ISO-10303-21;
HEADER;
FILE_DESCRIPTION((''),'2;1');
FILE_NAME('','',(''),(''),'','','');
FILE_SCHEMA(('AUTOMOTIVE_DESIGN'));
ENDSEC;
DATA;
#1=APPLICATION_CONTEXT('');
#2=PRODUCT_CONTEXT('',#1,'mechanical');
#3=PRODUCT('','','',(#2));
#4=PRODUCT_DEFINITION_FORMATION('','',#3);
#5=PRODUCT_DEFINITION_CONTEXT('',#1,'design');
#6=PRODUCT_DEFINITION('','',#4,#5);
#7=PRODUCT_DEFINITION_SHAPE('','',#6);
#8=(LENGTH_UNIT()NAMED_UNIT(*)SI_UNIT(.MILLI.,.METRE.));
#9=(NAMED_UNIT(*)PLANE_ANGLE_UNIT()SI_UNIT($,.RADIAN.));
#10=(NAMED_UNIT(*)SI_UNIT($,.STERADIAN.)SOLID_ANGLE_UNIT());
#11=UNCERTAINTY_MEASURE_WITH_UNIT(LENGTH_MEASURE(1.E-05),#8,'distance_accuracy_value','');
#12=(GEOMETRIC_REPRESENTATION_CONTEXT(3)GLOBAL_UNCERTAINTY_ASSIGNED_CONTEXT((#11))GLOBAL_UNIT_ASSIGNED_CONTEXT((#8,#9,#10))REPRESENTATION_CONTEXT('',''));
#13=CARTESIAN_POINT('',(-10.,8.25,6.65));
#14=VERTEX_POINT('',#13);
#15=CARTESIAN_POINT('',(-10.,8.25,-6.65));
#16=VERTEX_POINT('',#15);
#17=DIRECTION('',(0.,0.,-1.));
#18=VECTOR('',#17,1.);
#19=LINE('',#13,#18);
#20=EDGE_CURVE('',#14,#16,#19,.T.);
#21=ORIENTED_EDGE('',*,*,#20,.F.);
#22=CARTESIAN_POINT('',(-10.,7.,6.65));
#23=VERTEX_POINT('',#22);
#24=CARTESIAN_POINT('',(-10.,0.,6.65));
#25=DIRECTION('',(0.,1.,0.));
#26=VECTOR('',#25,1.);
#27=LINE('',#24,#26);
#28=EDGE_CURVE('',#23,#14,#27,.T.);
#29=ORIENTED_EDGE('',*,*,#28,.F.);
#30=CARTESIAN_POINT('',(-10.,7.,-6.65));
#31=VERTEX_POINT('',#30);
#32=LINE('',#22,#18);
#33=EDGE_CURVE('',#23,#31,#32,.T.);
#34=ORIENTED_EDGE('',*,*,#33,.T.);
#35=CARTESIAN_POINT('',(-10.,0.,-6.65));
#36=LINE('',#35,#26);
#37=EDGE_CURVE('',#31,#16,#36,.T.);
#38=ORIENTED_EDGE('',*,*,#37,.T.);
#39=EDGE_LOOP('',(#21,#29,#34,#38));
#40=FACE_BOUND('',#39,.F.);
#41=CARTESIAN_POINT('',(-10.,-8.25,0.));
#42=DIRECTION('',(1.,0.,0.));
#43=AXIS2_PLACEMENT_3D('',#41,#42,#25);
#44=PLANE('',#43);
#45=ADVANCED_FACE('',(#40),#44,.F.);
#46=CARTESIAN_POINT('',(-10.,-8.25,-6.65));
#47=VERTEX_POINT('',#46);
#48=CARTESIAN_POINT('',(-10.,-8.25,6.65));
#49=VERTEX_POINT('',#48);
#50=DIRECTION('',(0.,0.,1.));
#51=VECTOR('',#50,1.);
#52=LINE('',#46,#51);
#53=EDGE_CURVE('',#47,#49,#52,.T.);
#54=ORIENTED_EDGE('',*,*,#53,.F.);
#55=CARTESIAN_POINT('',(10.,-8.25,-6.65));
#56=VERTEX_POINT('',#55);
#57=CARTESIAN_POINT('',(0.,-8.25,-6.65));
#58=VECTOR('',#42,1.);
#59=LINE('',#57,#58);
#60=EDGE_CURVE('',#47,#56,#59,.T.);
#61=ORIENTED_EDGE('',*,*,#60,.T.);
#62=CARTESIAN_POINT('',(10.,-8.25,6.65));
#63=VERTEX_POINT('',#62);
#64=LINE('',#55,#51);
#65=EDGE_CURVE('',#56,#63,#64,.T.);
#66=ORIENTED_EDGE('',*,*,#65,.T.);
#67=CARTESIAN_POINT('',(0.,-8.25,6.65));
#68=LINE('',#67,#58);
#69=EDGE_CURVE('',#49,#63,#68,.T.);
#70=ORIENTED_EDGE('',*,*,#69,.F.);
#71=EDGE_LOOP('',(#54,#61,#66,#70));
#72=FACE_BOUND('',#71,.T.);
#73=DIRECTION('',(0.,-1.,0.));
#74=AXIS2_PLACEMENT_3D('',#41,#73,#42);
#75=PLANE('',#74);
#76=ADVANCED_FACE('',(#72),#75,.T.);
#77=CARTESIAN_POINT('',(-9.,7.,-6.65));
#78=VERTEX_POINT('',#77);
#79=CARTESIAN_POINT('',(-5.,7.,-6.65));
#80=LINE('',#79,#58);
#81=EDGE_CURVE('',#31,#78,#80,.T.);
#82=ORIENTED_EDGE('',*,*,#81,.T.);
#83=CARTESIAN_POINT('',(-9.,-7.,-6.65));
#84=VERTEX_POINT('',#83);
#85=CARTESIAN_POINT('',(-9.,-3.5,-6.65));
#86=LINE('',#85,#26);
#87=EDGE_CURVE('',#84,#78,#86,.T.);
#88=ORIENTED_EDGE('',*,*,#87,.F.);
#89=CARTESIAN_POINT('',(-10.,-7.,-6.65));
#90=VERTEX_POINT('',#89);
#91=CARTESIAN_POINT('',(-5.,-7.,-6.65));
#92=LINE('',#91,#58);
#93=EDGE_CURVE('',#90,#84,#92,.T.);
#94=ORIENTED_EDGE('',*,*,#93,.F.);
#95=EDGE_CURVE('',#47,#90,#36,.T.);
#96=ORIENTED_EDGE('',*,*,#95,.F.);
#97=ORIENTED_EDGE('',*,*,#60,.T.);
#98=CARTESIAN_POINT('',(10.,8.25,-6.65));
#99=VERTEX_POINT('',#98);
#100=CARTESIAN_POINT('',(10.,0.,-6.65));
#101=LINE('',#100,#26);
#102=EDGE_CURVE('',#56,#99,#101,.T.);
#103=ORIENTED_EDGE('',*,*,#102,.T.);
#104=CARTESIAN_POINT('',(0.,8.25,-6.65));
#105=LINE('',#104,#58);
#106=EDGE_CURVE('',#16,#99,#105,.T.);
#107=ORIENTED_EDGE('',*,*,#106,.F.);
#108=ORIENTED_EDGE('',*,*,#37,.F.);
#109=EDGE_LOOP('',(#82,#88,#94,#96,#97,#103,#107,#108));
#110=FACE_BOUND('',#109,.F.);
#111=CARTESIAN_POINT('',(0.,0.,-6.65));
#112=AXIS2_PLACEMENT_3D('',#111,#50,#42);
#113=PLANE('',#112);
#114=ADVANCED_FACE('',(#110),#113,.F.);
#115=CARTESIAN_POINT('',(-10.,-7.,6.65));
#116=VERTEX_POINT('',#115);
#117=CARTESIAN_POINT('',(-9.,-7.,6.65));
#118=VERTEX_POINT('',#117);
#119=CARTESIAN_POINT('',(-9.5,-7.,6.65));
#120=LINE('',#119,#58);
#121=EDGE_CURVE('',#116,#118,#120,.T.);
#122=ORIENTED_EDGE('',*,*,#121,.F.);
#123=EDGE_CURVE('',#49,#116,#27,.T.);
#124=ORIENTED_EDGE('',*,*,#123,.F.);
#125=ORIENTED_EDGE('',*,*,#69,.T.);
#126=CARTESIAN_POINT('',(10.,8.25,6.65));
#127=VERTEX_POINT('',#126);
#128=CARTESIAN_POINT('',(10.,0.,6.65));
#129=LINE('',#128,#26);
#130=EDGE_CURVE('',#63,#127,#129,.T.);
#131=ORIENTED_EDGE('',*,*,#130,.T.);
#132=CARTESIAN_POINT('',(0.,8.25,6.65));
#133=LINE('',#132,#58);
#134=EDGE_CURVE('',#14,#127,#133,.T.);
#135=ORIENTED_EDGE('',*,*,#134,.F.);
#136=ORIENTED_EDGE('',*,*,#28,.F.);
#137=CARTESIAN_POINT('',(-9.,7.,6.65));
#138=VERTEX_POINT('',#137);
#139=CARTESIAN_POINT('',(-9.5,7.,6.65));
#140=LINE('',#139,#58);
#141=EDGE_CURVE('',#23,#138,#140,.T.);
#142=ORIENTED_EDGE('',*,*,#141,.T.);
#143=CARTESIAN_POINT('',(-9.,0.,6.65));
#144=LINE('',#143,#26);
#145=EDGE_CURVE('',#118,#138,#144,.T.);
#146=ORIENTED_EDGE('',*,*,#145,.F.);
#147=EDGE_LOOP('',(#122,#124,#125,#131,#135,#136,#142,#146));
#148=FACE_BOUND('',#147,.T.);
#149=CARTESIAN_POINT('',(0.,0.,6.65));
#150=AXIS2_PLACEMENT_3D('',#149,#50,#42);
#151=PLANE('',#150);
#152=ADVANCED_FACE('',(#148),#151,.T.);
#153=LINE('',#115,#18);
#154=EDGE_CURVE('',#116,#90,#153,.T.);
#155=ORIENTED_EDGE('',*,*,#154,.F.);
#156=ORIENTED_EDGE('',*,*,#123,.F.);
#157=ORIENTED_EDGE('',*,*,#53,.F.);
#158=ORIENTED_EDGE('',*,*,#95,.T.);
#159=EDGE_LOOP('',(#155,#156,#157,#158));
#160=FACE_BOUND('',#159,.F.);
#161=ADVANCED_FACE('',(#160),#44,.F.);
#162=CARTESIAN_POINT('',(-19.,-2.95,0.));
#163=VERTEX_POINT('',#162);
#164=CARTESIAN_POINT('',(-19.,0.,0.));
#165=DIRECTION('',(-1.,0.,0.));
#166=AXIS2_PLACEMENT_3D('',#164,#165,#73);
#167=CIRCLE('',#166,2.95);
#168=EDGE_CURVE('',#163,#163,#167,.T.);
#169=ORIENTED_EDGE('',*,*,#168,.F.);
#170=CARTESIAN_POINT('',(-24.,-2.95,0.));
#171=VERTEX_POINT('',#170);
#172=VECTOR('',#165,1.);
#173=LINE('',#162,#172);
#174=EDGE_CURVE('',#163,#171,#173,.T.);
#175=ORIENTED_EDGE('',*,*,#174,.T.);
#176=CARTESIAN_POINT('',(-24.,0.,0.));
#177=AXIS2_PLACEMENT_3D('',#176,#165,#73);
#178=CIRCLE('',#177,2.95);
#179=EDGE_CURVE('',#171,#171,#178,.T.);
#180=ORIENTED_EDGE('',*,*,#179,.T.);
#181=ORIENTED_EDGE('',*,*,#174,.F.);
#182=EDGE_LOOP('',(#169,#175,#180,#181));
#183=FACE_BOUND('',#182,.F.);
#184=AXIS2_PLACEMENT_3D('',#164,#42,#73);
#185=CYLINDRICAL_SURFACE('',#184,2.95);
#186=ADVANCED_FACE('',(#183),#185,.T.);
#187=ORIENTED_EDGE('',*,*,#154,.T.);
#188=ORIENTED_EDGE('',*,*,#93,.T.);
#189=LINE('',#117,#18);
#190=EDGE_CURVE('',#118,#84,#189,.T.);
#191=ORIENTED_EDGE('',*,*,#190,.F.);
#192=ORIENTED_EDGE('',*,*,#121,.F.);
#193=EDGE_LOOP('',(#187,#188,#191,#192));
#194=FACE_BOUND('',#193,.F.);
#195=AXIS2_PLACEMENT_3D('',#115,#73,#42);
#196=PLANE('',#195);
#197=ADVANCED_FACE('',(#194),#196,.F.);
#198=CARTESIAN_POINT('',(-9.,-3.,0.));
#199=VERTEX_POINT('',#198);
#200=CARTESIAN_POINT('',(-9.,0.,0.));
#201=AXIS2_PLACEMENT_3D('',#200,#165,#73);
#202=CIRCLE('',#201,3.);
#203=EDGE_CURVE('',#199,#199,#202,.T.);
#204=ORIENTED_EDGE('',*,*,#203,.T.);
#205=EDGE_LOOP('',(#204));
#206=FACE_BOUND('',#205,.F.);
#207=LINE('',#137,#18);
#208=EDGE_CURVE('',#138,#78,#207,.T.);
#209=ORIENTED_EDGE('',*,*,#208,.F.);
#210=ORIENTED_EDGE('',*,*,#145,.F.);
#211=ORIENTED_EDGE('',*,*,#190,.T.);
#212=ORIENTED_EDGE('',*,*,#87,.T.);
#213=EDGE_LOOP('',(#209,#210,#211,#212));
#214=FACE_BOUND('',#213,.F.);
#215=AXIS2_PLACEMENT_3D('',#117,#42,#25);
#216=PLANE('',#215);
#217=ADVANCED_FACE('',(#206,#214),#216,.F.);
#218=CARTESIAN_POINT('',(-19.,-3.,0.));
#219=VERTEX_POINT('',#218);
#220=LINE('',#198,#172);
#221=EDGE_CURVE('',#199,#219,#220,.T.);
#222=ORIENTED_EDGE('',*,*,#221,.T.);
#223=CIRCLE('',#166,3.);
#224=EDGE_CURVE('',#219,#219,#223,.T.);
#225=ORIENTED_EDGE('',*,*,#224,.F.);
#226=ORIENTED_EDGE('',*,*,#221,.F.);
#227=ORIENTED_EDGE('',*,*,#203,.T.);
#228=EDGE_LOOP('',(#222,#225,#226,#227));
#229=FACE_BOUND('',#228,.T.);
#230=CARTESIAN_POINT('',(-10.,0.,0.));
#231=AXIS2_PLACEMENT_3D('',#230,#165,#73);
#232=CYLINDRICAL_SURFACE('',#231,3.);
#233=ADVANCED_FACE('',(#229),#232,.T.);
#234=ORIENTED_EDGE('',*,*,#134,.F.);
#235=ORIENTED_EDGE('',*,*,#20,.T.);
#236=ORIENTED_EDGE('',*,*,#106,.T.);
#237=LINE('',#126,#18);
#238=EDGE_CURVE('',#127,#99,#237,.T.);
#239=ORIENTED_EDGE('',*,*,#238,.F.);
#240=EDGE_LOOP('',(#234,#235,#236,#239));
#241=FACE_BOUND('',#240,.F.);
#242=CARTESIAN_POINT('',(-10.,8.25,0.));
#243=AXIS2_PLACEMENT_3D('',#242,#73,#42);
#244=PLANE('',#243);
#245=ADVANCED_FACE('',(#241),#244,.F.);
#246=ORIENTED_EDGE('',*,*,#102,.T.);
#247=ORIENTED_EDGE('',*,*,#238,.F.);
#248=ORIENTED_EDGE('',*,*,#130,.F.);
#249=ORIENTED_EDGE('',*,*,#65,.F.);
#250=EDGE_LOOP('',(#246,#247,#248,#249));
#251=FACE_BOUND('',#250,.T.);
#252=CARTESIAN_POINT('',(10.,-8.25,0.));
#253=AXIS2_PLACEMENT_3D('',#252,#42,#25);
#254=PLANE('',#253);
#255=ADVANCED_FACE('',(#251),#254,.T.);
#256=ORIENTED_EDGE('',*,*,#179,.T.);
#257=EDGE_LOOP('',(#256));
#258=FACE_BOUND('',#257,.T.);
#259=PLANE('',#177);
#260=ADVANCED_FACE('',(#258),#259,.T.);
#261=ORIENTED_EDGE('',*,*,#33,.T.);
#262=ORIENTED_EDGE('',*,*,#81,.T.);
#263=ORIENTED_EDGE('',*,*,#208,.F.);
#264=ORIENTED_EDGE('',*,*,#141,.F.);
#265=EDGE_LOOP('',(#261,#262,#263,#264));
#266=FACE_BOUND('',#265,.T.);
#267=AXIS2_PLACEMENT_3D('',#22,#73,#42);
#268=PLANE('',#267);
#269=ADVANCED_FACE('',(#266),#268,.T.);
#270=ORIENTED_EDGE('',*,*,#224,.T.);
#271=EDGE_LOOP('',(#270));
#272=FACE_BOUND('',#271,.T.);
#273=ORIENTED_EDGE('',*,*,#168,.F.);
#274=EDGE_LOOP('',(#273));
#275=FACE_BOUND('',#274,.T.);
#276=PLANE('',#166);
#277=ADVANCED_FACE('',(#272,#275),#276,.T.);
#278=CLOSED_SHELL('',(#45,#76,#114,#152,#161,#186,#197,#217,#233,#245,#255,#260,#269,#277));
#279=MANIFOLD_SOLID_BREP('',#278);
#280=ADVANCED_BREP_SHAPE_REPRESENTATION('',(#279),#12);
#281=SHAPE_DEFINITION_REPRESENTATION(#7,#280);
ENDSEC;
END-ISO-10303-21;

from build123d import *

# Parameters (mm, degrees)
F0_W          = 20
F0_H          = 16.5
F1_DEPTH      = 6.65
F3_W          = 1
F3_H          = 14
F4_DEPTH      = 13.301
F2_R          = 3
F5_DEPTH      = 9
F5_DEPTH_BACK = 1
F6_R          = 2.95
F7_DEPTH      = 5


with BuildPart() as f1:
    # F0 (on Top) → F1 (new body, symmetric)
    with BuildSketch(Plane.XY):
        Rectangle(F0_W, F0_H)
    extrude(amount=F1_DEPTH, both=True)

    # F3 (on face) → F4 (cut, through all)
    with BuildSketch(Plane.XY.offset(6.65)):
        with Locations((-9.5, 0)):
            Rectangle(F3_W, F3_H)
    extrude(amount=-F4_DEPTH, mode=Mode.SUBTRACT)

    # F2 (on face) → F5 (join, two sides)
    with BuildSketch(Plane(origin=(-10, 0, 0), x_dir=(0, -1, 0), z_dir=(-1, 0, 0))) as f5_sk:
        Circle(F2_R)
    extrude(amount=F5_DEPTH)
    extrude(f5_sk.sketch, amount=-F5_DEPTH_BACK)

    # F6 (on face) → F7 (join)
    with BuildSketch(Plane(origin=(-19, 0, 0), x_dir=(0, -1, 0), z_dir=(-1, 0, 0))):
        Circle(F6_R)
    extrude(amount=F7_DEPTH)


solid = f1.part
